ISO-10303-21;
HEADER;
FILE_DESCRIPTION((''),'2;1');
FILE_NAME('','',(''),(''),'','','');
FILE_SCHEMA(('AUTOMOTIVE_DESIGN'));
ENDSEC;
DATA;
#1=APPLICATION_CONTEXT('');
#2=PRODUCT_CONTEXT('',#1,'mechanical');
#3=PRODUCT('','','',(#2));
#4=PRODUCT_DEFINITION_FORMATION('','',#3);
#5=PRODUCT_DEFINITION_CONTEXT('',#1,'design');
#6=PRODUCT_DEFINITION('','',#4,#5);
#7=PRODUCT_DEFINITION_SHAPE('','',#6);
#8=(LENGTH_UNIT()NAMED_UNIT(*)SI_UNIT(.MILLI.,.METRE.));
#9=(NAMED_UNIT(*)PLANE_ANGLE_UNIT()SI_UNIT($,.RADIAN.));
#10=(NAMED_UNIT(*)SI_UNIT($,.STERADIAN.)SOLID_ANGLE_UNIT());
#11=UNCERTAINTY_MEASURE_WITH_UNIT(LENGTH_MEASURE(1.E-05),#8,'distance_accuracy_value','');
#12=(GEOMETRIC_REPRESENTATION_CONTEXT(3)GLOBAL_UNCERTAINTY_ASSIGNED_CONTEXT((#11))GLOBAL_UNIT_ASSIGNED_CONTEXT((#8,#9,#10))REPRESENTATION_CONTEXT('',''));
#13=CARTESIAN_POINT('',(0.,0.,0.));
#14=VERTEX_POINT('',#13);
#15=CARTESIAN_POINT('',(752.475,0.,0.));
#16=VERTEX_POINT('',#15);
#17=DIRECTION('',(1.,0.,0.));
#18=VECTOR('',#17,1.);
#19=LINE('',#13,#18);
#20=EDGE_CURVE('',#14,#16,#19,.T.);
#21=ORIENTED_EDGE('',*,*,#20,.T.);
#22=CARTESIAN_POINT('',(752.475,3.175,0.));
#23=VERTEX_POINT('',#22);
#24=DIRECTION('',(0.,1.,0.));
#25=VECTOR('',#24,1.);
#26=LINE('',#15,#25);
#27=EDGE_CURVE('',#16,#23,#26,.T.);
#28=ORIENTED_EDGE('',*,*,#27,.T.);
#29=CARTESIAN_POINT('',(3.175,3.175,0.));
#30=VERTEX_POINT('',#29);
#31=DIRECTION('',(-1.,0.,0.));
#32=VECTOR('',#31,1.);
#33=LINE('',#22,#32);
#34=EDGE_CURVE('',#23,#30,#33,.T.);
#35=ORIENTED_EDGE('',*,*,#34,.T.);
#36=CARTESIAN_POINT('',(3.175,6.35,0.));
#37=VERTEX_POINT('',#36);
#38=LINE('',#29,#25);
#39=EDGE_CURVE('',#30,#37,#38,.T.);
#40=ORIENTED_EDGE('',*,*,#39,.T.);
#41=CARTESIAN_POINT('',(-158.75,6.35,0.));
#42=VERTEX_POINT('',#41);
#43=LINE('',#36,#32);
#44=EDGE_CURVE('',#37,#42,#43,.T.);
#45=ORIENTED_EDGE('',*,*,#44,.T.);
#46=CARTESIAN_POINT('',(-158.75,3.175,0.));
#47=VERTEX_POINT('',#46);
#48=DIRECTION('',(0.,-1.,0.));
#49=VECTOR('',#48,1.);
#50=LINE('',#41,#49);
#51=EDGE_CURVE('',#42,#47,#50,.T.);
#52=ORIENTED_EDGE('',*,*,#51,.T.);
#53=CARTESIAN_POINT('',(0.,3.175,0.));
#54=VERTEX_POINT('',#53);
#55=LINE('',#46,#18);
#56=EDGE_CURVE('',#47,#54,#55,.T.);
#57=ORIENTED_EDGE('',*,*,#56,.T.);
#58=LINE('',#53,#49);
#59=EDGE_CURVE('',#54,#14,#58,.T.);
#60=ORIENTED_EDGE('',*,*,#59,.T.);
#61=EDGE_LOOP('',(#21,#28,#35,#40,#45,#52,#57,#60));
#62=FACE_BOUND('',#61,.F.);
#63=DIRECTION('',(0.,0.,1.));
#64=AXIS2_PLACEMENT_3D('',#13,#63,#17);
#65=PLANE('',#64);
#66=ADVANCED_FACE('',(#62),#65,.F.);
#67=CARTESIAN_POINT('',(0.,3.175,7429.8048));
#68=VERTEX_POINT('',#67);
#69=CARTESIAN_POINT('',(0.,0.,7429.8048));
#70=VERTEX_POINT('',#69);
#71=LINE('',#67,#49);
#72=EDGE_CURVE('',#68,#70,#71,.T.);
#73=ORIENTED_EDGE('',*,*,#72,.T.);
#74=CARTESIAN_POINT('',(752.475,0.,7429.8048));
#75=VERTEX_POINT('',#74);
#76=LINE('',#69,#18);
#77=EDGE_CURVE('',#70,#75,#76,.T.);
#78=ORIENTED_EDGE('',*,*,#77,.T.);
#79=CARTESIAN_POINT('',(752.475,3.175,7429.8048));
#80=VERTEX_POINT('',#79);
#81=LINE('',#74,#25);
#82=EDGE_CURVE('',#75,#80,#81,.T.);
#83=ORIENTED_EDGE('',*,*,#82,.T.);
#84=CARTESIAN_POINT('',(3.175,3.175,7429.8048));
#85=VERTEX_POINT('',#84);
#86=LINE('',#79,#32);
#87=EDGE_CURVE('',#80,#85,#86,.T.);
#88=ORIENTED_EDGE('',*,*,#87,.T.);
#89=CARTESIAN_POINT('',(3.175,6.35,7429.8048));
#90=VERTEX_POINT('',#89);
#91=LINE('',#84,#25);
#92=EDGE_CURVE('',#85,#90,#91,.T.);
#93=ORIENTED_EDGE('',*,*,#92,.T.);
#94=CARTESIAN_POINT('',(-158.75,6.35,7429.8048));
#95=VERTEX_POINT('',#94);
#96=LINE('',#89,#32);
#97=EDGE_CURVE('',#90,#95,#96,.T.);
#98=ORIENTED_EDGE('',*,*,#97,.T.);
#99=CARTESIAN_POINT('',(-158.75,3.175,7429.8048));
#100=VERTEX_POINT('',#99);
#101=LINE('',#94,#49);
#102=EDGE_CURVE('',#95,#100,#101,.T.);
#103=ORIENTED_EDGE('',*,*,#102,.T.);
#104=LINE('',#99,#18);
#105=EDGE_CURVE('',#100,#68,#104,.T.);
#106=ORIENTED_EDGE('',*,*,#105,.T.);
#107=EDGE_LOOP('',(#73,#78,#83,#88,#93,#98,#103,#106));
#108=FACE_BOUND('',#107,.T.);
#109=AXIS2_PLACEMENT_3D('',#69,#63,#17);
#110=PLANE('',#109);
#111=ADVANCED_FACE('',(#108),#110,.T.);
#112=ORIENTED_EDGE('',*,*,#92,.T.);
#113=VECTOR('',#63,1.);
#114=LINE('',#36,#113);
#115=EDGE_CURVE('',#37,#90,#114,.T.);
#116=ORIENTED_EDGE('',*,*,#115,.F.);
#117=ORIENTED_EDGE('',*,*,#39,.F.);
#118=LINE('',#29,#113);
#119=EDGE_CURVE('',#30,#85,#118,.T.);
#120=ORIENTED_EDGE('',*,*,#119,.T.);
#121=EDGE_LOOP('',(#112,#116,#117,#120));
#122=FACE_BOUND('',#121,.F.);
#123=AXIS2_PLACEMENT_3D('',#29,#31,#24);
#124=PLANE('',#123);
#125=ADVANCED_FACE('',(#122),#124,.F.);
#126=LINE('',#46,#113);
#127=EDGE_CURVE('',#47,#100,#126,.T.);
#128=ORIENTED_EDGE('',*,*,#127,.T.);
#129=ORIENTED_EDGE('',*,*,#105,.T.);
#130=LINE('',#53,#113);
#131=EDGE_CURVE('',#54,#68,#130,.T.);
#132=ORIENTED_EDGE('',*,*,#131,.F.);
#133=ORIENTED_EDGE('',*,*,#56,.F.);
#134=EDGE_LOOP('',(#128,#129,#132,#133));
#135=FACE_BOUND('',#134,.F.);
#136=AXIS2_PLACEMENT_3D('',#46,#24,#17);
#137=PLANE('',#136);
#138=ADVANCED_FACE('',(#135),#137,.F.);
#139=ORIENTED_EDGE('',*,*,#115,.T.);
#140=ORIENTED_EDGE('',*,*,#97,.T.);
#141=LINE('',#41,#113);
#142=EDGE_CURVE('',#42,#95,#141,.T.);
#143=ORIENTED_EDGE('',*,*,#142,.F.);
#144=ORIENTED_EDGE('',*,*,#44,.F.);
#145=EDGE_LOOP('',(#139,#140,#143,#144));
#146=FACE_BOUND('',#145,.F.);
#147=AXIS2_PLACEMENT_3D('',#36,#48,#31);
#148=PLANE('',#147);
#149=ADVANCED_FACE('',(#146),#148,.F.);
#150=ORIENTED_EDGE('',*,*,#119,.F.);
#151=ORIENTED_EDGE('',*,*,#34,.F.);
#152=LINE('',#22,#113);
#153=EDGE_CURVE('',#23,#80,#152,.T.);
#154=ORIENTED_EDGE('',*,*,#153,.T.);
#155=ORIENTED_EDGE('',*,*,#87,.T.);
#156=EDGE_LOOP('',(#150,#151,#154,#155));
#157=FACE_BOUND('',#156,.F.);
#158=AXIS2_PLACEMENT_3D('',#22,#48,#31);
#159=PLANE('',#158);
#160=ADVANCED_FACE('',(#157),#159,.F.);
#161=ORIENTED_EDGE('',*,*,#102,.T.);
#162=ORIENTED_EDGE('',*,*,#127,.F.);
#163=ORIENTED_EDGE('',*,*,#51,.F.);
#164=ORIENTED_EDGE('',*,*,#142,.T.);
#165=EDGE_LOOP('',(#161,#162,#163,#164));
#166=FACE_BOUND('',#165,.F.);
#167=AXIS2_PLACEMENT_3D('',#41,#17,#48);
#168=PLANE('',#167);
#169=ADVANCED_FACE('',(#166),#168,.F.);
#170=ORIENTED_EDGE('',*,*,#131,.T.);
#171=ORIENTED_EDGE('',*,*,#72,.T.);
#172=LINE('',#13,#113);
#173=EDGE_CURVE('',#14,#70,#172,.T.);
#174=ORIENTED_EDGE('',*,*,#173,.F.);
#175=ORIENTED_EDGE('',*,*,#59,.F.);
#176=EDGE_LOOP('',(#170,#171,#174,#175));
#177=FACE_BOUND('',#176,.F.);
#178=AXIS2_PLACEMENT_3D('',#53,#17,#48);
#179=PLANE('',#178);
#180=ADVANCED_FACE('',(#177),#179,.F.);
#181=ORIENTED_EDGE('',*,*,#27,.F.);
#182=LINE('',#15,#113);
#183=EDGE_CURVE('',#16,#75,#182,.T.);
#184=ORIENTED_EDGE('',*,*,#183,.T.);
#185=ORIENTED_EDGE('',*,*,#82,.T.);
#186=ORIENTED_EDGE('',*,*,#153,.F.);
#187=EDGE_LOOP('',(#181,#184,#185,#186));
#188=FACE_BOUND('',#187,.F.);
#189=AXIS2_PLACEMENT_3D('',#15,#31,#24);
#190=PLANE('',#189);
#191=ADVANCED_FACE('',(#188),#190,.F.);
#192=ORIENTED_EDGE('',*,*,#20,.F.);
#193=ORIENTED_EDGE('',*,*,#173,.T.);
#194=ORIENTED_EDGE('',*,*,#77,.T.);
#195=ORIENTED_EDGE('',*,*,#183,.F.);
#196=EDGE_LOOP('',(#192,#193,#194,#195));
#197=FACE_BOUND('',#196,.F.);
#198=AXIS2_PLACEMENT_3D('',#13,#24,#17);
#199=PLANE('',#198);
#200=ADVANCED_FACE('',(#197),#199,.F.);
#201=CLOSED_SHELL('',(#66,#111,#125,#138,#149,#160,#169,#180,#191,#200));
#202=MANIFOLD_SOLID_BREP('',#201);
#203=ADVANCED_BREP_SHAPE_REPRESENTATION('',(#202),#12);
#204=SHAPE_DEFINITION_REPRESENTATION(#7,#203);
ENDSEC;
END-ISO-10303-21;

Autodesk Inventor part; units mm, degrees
ref_plane "YZ Plane" through (0, 0, 0) normal (1, 0, 0) x (0, 1, 0)
ref_plane "XZ Plane" through (0, 0, 0) normal (0, 1, 0) x (-1, 0, 0)
ref_plane "XY Plane" through (0, 0, 0) normal (0, 0, 1) x (1, 0, 0)
sketch "Sketch1" plane through (0, 0, 0) normal (0, 0, 1) x (1, 0, 0)
  line L0 (0, 0) -> (752.475, 0)
  line L1 (752.475, 0) -> (752.475, 3.175)
  line L2 (752.475, 3.175) -> (3.175, 3.175)
  line L3 (3.175, 3.175) -> (3.175, 6.35)
  line L4 (3.175, 6.35) -> (-158.75, 6.35)
  line L5 (-158.75, 6.35) -> (-158.75, 3.175)
  line L6 (-158.75, 3.175) -> (0, 3.175)
  line L7 (0, 3.175) -> (0, 0)
  dimension "d0" = 158.75
  dimension "d1" = 3.175
  dimension "d2" = 3.175
  dimension "d3" = 3.175
  dimension "d4" = 3.175
  dimension "d5" = 752.475
extrude "Extrusion1" add sketch "Sketch1" along normal blind 7429.8048
properties part number "Underlayment_Over_Back_Drip_Edge" material "Polypropylene"
